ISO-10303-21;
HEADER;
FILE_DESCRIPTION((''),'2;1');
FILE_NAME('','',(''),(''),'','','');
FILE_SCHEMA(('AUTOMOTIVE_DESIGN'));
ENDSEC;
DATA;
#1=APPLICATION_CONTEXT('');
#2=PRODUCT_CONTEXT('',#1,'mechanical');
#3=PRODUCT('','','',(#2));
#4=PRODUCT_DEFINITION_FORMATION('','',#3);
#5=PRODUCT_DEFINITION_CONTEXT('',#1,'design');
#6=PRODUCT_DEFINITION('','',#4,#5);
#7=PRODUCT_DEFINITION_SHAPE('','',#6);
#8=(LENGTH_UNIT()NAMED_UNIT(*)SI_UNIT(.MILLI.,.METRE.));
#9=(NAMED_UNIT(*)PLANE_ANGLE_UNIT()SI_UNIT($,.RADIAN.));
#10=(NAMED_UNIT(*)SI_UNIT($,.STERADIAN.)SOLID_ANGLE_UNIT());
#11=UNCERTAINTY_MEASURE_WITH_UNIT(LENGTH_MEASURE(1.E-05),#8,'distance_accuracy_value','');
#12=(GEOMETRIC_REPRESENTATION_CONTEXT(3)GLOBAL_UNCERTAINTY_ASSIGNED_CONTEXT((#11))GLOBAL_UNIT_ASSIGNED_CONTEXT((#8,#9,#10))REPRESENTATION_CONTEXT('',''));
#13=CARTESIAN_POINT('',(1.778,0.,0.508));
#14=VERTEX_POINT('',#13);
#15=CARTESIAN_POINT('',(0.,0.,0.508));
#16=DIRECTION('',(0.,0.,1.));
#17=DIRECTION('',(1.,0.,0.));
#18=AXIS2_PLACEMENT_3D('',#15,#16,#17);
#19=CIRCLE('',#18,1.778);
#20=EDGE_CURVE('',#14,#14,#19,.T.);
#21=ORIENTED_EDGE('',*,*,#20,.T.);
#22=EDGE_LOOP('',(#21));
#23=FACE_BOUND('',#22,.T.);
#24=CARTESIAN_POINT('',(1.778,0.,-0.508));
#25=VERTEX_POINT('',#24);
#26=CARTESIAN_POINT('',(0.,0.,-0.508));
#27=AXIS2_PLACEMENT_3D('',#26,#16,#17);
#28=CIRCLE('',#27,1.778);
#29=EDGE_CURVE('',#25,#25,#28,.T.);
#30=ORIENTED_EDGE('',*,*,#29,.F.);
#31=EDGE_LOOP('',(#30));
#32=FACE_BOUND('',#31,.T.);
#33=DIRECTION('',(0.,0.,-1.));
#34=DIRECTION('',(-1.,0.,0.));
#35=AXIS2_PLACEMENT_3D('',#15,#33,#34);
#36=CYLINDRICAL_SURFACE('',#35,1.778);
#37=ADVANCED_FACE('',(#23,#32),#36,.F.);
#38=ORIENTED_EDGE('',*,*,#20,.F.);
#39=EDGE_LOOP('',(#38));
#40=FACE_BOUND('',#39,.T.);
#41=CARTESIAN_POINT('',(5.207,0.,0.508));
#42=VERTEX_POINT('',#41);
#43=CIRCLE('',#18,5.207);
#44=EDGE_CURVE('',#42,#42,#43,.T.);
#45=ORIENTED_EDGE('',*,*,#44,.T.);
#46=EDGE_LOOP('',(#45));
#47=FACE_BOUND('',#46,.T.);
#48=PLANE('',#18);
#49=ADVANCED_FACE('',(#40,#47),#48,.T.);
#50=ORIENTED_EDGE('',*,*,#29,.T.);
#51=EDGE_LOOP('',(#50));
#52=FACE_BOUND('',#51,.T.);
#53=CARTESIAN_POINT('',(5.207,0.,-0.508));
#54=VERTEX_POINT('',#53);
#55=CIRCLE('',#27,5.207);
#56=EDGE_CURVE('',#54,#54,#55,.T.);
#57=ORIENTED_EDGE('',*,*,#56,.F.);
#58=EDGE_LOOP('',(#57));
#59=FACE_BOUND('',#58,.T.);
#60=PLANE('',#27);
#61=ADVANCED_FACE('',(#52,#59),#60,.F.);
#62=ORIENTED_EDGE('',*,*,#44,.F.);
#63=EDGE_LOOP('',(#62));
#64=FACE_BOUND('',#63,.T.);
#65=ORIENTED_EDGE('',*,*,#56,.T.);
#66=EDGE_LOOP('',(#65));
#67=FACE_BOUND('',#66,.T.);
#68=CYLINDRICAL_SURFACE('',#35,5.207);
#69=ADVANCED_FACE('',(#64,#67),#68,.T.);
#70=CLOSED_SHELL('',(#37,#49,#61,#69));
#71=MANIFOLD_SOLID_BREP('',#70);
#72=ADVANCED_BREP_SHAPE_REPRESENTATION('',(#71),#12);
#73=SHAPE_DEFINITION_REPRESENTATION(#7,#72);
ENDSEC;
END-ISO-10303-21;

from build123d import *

# Parameters (mm, degrees)
BOSS_EXTRUDE1_DEPTH      = 0.508
BOSS_EXTRUDE1_DEPTH_BACK = 0.508
SKETCH3_R                = 5.207
SKETCH3_R_2              = 1.778


with BuildPart() as part:
    # Sketch3 → Boss-Extrude1 (new, two sides: drawn at the far end of the back side and taken through both)
    with BuildSketch(Plane.XY.offset(-BOSS_EXTRUDE1_DEPTH_BACK)):
        Circle(SKETCH3_R)
        Circle(SKETCH3_R_2, mode=Mode.SUBTRACT)
    extrude(amount=BOSS_EXTRUDE1_DEPTH + BOSS_EXTRUDE1_DEPTH_BACK)


solid = part.part
